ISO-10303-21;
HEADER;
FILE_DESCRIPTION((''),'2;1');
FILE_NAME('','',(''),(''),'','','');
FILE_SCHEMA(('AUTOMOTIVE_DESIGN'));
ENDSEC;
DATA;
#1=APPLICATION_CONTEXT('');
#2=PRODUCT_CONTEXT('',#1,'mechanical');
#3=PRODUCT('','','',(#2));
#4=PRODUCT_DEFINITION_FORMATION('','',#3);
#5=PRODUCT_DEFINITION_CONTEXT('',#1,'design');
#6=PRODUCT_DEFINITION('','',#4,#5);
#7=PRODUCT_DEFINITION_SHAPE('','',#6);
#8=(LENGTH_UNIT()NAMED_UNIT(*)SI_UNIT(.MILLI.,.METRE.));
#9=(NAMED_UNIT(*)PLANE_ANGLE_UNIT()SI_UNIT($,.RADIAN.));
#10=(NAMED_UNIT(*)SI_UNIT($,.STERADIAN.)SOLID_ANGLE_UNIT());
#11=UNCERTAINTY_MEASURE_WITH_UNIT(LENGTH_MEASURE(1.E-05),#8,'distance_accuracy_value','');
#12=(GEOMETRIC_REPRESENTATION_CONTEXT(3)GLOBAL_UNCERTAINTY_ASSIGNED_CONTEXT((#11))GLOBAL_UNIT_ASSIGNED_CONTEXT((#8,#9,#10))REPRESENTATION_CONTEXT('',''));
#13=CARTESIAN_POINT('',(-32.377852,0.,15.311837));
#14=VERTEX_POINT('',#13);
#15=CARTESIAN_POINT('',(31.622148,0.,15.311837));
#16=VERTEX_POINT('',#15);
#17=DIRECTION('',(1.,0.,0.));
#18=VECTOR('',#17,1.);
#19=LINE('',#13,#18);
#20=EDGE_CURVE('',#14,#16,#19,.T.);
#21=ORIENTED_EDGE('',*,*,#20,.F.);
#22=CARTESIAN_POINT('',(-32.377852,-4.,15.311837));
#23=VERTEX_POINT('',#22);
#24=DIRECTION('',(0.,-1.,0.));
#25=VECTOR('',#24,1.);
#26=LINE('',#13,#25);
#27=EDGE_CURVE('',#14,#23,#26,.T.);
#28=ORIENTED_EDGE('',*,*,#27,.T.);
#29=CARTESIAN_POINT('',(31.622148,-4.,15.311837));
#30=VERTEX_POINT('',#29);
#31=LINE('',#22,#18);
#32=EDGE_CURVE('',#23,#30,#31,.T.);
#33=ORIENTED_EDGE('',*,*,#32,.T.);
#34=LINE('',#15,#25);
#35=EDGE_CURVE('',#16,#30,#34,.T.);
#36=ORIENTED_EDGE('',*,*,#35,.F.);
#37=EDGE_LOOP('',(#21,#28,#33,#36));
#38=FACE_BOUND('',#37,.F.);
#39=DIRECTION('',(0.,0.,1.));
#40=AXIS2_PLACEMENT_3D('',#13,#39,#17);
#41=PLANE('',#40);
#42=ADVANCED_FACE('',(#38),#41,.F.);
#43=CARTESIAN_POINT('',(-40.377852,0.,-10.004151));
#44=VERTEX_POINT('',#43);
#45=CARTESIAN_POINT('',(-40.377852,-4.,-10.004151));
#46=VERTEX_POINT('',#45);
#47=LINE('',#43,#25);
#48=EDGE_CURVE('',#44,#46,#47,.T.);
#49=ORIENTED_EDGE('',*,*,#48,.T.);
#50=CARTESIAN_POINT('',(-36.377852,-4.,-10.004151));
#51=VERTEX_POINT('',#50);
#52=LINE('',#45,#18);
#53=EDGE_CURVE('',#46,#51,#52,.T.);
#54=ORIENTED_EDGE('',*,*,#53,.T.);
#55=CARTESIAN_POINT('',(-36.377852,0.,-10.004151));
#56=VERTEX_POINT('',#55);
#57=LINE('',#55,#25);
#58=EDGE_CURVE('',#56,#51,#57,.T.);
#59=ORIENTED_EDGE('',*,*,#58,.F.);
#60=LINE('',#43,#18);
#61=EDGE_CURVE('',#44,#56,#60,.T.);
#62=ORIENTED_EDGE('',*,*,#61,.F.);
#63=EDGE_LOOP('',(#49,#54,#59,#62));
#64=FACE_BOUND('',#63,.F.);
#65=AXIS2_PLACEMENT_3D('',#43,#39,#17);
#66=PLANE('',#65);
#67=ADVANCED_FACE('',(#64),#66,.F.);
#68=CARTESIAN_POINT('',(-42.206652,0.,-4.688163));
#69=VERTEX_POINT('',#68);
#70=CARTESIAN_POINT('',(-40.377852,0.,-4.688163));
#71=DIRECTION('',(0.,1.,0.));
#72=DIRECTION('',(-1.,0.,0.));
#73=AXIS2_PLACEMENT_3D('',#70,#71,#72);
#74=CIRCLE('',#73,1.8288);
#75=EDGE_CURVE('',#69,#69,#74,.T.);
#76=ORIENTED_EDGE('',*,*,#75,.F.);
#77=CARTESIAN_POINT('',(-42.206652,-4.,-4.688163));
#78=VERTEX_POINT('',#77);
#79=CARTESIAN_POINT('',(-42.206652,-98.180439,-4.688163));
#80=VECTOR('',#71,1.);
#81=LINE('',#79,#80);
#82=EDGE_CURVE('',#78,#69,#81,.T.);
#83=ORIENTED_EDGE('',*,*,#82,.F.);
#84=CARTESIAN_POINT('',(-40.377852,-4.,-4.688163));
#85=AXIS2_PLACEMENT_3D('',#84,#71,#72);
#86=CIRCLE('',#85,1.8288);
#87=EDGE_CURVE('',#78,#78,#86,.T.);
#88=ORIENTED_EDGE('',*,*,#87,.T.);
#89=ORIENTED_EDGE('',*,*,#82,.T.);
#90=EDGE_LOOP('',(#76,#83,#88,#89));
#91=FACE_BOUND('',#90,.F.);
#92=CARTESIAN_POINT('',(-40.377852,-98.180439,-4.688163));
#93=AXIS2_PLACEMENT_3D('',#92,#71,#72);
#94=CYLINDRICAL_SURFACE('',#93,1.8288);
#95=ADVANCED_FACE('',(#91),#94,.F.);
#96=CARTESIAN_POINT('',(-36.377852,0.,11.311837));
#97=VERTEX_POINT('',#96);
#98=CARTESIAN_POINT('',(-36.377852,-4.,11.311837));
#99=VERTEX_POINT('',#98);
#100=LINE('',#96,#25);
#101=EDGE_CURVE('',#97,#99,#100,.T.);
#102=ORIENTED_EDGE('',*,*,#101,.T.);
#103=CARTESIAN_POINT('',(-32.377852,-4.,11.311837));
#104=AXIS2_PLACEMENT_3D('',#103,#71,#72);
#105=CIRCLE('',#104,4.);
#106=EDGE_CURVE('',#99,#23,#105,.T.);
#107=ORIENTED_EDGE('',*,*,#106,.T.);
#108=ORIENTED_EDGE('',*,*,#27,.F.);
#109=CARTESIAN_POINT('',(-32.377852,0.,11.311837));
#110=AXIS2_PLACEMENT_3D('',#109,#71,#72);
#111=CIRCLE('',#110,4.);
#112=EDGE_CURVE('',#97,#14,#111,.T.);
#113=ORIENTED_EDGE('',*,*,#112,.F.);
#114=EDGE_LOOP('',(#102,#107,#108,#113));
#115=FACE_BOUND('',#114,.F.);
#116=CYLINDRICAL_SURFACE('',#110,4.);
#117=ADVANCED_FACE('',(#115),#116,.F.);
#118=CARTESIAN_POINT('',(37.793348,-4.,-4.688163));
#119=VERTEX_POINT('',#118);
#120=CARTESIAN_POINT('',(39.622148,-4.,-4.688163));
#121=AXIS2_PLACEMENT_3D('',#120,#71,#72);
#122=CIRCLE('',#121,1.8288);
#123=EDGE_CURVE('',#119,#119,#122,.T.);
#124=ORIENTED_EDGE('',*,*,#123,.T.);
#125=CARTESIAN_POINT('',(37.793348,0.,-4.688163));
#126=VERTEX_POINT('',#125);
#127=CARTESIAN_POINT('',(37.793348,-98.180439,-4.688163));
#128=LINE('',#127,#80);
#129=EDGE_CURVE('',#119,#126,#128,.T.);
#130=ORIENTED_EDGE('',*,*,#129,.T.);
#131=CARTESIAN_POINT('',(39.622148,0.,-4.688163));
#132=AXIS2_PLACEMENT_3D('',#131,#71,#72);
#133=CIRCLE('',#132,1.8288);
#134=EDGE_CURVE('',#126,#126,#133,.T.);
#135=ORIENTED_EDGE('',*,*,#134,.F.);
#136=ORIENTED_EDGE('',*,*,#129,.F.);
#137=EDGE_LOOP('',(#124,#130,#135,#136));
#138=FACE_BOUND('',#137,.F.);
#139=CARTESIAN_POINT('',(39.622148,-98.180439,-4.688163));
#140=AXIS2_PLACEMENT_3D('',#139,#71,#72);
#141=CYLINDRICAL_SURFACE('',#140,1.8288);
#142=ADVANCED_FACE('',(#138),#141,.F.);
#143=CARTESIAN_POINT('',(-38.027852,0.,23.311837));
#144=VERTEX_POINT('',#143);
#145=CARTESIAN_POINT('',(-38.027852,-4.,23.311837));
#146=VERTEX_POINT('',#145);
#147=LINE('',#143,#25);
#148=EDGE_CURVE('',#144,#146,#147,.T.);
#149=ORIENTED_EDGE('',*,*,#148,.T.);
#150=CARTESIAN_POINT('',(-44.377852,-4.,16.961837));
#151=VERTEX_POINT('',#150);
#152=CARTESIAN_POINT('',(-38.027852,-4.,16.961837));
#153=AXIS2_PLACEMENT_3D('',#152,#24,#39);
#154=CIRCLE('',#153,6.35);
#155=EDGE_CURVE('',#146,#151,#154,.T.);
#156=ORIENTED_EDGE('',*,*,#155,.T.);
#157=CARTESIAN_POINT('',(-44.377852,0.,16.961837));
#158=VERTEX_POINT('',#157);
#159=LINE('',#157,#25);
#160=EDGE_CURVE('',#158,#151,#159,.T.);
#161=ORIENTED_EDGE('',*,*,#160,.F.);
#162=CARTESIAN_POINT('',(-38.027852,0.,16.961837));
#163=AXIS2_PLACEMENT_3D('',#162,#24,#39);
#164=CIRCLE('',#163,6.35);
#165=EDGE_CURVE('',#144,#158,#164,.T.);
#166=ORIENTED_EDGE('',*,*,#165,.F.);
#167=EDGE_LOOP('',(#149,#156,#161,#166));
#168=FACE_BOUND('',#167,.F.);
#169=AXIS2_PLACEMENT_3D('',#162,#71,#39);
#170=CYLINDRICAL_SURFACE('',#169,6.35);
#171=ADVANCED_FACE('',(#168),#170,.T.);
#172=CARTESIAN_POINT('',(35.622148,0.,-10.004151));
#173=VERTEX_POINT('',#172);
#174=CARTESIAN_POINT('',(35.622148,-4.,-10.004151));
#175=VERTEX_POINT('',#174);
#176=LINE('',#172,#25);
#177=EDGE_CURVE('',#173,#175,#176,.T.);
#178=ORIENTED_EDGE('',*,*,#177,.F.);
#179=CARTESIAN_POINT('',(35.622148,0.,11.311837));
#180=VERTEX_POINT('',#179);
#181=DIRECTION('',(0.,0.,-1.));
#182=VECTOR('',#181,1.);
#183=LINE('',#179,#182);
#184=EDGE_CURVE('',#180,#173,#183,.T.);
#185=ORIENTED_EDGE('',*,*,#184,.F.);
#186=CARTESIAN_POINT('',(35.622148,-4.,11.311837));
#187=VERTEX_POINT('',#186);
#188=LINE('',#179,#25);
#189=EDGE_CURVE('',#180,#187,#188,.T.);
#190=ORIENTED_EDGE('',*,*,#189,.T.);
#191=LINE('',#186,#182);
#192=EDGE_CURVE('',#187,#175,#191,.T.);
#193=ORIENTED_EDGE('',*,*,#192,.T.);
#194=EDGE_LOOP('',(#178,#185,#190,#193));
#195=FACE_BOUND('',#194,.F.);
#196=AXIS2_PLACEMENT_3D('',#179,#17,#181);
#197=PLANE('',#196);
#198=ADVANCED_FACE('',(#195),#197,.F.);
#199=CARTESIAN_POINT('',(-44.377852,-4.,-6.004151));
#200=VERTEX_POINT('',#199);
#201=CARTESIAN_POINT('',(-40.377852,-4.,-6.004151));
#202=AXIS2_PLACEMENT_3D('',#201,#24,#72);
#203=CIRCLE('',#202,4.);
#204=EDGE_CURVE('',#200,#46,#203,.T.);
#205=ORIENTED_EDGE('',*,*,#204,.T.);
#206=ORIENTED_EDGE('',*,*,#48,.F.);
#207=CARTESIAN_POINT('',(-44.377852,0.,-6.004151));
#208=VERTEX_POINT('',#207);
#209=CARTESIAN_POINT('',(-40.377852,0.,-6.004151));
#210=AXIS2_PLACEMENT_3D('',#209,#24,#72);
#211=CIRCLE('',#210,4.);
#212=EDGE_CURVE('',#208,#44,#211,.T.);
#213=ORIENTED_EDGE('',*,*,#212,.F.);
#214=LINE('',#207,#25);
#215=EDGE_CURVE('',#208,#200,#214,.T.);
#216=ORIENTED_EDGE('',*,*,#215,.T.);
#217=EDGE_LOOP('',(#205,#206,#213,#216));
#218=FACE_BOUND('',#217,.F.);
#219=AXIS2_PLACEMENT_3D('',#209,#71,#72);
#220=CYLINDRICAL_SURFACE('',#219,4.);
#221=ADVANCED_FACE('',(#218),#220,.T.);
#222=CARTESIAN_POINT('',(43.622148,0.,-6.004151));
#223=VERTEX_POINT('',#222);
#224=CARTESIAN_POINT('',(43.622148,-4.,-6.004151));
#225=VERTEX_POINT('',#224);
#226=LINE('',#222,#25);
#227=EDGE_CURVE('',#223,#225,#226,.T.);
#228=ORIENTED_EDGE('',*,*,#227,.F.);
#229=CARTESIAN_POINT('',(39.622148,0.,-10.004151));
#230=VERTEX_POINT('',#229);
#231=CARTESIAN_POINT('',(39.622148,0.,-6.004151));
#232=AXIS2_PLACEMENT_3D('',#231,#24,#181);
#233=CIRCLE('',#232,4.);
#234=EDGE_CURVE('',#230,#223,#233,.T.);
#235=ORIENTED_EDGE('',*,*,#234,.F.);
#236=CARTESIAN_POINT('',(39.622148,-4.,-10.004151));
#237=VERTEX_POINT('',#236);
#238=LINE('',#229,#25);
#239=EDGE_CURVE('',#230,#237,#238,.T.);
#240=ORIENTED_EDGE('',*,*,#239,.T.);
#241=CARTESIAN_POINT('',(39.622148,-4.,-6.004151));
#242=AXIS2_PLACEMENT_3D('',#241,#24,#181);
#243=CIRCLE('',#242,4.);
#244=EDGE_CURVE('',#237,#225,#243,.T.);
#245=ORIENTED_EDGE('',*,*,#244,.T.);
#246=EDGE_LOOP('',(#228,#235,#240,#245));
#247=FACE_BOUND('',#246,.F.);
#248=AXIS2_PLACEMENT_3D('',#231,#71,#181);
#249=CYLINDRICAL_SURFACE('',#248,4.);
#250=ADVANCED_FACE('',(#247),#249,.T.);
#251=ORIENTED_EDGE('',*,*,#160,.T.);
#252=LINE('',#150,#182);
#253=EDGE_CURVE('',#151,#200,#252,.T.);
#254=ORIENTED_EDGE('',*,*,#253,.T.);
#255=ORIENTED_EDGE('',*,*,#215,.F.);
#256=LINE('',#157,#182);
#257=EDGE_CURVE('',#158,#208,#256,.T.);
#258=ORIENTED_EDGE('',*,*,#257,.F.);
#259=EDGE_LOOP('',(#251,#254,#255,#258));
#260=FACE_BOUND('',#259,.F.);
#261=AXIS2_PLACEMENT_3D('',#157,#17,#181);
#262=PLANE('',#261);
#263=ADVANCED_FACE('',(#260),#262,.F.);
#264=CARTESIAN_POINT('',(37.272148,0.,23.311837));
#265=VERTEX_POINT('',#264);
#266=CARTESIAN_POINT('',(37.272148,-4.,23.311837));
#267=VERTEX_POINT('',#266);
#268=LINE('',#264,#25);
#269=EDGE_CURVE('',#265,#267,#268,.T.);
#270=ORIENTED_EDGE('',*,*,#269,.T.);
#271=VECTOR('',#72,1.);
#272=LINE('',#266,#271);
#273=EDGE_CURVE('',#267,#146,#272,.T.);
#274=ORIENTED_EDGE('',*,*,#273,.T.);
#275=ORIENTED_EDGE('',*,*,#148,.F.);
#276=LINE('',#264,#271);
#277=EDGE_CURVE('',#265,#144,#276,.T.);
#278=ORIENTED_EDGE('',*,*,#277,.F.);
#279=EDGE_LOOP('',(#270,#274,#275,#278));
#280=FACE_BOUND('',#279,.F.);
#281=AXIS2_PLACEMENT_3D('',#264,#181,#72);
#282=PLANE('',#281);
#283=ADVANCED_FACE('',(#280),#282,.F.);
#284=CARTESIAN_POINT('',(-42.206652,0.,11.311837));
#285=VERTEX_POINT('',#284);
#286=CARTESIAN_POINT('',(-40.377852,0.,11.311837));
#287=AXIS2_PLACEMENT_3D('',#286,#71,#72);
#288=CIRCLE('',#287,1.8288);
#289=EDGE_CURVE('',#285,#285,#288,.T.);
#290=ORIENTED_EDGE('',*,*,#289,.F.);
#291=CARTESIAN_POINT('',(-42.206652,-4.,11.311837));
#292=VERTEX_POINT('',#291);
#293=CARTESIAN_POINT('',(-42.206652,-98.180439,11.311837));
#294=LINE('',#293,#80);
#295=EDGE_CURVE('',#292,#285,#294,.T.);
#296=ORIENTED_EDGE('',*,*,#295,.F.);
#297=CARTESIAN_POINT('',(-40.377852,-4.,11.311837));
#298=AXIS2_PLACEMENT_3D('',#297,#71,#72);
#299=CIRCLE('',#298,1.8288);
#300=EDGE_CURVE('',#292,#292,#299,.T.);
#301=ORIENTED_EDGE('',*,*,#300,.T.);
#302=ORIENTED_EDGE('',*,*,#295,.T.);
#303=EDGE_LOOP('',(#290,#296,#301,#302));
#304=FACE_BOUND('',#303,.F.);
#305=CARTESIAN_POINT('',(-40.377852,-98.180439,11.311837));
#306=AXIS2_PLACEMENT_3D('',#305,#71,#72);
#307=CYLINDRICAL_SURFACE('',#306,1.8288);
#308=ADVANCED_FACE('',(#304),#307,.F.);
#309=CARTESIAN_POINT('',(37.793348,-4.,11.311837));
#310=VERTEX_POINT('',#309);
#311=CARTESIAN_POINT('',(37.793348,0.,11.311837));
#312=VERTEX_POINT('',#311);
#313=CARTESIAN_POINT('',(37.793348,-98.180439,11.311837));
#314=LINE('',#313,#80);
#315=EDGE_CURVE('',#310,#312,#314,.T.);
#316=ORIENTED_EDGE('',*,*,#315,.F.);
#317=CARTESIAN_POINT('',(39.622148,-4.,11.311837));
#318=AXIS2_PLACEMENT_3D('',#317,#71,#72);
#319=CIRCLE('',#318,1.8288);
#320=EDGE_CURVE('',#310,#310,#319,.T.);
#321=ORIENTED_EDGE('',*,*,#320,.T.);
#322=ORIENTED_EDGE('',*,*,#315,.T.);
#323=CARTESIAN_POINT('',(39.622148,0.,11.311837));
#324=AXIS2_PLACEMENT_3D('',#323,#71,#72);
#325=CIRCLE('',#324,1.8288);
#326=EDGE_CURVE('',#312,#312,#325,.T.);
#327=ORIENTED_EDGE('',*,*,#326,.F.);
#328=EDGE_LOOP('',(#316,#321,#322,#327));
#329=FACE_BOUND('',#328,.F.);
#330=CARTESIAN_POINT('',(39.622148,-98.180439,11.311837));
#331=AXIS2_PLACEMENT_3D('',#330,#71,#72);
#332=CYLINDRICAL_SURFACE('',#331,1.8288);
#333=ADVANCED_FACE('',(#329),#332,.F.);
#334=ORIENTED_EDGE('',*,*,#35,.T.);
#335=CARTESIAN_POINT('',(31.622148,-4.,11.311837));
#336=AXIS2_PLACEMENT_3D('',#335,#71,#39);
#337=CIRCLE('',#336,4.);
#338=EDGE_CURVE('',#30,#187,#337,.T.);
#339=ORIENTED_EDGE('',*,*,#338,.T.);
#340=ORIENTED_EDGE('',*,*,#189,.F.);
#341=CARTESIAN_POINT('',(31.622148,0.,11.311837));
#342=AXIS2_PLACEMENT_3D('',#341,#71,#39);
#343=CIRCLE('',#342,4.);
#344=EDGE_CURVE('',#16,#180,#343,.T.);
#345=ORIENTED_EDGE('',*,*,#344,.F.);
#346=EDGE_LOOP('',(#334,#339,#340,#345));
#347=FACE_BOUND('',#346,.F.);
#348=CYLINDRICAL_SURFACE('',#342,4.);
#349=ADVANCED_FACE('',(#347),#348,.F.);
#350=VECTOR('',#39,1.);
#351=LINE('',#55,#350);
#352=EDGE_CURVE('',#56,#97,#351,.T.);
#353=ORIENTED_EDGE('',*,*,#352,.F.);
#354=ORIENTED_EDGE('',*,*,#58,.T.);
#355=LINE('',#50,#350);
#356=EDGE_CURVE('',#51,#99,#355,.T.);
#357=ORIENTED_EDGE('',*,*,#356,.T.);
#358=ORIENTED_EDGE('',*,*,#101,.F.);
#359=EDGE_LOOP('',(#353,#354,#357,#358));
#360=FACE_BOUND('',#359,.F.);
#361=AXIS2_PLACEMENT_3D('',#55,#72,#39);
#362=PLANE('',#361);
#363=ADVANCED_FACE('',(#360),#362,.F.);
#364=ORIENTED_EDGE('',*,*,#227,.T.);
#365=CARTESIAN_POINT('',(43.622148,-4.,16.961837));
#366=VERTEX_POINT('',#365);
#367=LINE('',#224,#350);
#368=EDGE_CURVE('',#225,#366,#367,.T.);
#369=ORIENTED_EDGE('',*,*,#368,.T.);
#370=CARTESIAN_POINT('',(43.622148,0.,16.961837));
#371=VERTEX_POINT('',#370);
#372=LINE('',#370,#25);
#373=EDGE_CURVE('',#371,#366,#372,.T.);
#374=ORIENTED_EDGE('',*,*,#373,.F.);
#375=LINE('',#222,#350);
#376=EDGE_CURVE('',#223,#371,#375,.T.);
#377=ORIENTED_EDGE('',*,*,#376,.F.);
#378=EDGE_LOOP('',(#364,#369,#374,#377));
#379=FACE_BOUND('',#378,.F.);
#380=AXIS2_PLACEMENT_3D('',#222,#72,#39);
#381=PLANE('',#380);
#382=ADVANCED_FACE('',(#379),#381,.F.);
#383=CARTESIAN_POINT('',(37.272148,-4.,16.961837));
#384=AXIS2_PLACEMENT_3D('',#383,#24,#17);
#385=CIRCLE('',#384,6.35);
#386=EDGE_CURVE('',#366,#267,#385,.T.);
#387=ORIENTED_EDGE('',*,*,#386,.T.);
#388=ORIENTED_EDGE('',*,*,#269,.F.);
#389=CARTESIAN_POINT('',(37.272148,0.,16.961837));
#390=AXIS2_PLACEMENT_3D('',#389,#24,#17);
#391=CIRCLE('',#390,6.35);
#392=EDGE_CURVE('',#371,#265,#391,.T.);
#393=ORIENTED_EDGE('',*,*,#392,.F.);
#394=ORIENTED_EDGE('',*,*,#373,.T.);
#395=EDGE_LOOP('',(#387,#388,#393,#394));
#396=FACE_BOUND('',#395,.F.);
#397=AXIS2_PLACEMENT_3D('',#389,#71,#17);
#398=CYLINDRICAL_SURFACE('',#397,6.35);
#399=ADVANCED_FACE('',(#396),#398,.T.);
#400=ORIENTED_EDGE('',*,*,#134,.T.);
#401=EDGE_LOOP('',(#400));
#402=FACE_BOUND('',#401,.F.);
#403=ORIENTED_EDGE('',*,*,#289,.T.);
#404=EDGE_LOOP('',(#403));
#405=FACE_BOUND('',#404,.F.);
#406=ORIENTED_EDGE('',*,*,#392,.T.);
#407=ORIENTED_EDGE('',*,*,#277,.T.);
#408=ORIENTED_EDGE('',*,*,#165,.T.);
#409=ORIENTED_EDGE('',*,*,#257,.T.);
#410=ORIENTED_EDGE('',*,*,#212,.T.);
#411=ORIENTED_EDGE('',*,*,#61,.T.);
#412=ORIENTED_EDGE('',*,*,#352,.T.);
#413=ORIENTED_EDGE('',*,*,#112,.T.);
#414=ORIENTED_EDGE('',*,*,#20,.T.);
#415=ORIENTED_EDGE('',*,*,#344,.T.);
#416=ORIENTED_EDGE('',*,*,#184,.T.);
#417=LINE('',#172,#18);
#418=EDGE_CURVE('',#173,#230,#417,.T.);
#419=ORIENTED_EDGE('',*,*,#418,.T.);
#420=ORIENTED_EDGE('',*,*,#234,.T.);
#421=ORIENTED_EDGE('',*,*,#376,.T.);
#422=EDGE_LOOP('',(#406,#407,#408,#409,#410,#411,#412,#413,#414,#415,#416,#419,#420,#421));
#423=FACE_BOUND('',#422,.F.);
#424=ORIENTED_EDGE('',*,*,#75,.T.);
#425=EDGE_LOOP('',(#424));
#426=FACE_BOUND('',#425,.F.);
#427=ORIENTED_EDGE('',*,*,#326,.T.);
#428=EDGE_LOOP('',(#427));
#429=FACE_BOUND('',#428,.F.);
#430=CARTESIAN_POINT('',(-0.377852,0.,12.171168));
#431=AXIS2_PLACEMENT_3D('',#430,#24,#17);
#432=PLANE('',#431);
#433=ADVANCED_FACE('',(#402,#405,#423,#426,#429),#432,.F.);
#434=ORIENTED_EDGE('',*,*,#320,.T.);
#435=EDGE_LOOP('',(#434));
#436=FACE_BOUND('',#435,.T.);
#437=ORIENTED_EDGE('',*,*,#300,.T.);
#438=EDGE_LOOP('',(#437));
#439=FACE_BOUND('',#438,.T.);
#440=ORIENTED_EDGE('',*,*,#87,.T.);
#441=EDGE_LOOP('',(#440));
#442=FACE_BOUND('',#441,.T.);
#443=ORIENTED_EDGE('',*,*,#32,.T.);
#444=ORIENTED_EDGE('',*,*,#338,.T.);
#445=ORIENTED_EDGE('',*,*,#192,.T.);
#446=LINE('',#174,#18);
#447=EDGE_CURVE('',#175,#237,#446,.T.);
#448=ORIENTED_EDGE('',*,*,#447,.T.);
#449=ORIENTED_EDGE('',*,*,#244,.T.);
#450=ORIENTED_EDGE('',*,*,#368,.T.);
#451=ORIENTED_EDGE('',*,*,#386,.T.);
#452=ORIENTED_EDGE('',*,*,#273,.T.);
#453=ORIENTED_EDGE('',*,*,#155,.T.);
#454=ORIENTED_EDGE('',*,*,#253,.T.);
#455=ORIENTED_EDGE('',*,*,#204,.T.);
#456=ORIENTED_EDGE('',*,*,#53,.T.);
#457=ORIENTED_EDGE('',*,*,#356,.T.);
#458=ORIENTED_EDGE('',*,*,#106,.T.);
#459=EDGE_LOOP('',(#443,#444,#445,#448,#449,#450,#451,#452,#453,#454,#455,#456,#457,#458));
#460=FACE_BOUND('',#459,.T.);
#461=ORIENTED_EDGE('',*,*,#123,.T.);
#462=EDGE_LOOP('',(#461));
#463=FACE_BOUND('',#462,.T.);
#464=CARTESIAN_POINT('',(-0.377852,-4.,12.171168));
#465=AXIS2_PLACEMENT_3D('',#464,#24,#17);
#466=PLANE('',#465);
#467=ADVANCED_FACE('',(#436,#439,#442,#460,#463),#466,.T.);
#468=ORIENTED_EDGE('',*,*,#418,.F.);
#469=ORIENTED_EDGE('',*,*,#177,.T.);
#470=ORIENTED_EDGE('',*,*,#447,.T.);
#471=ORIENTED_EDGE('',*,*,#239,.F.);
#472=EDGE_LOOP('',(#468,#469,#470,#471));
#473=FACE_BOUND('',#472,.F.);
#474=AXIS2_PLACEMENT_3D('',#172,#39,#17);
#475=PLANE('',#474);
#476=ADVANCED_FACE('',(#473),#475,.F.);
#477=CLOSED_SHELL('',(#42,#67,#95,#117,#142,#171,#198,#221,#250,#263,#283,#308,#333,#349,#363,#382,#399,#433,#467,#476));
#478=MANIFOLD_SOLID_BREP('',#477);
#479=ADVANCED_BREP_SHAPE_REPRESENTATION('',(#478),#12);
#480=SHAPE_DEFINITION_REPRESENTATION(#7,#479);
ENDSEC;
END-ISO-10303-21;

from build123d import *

# Parameters (mm, degrees)
F1_DEPTH = 4
F3_D     = 3.6576


with BuildPart() as f1:
    # F0 (on Front) → F1 (new body)
    with BuildSketch(Plane.XZ):
        with BuildLine():
            Line((-40.3778524697, -10.0041508305), (-36.3778524697, -10.0041508305))
            Line((-36.3778524697, -10.0041508305), (-36.3778524697, 11.3118370611))
            ThreePointArc((-36.3778524697, 11.3118370611), (-35.2062795944, 14.1402641858), (-32.3778524697, 15.3118370611))
            Line((-32.3778524697, 15.3118370611), (31.6221475303, 15.3118370611))
            ThreePointArc((31.6221475303, 15.3118370611), (34.4505746551, 14.1402641858), (35.6221475303, 11.3118370611))
            Line((35.6221475303, 11.3118370611), (35.6221475303, -10.0041508305))
            Line((35.6221475303, -10.0041508305), (39.6221475303, -10.0041508305))
            ThreePointArc((39.6221475303, -10.0041508305), (42.4505746551, -8.8325779553), (43.6221475303, -6.0041508305))
            Line((43.6221475303, -6.0041508305), (43.6221475303, 16.9618370611))
            ThreePointArc((43.6221475303, 16.9618370611), (41.7622755909, 21.4519651216), (37.2721475303, 23.3118370611))
            Line((37.2721475303, 23.3118370611), (-38.0278524697, 23.3118370611))
            ThreePointArc((-38.0278524697, 23.3118370611), (-42.5179805302, 21.4519651216), (-44.3778524697, 16.9618370611))
            Line((-44.3778524697, 16.9618370611), (-44.3778524697, -6.0041508305))
            ThreePointArc((-44.3778524697, -6.0041508305), (-43.2062795944, -8.8325779553), (-40.3778524697, -10.0041508305))
        make_face()
    extrude(amount=F1_DEPTH)

    # F3 (through all)
    with Locations(Plane.XZ.offset(4)):
        with Locations((-40.3778524697, 11.3118370611), (-40.3778524697, -4.6881629389), (39.6221475303, 11.3118370611), (39.6221475303, -4.6881629389)):
            Hole(F3_D / 2)


solid = f1.part
